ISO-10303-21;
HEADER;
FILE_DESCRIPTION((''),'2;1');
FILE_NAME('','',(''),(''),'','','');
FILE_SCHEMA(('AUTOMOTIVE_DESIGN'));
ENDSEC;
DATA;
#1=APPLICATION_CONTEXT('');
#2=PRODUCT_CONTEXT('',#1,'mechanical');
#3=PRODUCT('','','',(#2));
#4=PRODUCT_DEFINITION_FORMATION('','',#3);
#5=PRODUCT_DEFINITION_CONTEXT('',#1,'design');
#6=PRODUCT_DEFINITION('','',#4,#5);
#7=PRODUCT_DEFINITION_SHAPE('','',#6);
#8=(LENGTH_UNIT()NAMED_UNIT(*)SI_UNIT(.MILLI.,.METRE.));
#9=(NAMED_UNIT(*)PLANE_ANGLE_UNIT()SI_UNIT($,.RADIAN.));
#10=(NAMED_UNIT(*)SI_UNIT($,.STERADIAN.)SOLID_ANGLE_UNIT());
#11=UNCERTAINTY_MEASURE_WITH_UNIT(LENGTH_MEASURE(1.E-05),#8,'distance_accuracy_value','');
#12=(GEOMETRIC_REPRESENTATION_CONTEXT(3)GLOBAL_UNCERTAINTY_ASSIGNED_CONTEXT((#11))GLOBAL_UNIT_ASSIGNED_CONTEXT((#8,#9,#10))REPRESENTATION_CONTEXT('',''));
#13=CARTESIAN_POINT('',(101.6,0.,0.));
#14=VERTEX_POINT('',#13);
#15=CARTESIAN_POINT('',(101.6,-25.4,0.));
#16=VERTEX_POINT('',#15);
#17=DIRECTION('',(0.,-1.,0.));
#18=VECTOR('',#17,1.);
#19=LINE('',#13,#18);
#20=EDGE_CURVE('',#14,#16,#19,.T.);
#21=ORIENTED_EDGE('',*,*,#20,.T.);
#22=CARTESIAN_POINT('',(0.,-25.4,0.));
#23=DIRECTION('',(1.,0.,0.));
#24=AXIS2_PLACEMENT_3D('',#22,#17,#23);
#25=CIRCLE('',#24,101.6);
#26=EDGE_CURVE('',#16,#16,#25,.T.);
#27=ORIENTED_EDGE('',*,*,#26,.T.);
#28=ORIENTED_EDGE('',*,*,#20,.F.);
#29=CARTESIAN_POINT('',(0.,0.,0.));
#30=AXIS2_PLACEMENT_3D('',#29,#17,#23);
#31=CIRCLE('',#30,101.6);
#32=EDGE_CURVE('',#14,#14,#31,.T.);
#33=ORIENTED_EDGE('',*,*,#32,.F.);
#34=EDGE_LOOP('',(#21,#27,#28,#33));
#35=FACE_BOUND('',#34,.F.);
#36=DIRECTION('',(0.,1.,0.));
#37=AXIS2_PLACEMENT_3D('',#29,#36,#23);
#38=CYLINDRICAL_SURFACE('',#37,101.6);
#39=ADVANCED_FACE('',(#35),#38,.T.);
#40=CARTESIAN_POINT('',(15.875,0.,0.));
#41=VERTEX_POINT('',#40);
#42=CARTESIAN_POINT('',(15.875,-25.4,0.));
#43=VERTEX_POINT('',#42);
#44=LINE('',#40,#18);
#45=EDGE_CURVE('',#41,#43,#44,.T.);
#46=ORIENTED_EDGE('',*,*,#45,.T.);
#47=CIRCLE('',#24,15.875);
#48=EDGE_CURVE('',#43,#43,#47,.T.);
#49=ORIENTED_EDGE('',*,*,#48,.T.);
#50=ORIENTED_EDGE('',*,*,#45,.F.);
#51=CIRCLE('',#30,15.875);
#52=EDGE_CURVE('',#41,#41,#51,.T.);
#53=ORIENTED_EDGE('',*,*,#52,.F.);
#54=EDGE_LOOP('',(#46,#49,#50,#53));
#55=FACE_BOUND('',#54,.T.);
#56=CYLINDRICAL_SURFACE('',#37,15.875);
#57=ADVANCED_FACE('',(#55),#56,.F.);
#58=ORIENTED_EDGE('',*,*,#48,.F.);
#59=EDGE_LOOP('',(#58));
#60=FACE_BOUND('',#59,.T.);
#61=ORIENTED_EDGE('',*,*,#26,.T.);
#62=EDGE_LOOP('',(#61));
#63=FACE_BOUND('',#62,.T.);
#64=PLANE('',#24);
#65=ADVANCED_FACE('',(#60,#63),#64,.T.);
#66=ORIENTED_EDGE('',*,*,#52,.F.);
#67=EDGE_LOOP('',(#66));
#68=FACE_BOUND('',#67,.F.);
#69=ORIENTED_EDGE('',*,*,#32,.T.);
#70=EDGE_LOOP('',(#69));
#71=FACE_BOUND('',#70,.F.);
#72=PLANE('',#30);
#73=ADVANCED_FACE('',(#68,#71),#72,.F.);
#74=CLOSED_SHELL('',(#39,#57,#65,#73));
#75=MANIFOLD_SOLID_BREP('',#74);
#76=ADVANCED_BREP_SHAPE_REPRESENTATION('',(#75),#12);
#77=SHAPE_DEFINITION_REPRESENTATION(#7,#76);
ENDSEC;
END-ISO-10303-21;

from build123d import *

# Parameters (mm, degrees)
F1_R     = 101.6
F1_R_2   = 15.875
F2_DEPTH = 25.4


with BuildPart() as f2:
    # F1 (on face) → F2 (new body)
    with BuildSketch(Plane.XZ):
        Circle(F1_R)
        Circle(F1_R_2, mode=Mode.SUBTRACT)
    extrude(amount=F2_DEPTH)


solid = f2.part
